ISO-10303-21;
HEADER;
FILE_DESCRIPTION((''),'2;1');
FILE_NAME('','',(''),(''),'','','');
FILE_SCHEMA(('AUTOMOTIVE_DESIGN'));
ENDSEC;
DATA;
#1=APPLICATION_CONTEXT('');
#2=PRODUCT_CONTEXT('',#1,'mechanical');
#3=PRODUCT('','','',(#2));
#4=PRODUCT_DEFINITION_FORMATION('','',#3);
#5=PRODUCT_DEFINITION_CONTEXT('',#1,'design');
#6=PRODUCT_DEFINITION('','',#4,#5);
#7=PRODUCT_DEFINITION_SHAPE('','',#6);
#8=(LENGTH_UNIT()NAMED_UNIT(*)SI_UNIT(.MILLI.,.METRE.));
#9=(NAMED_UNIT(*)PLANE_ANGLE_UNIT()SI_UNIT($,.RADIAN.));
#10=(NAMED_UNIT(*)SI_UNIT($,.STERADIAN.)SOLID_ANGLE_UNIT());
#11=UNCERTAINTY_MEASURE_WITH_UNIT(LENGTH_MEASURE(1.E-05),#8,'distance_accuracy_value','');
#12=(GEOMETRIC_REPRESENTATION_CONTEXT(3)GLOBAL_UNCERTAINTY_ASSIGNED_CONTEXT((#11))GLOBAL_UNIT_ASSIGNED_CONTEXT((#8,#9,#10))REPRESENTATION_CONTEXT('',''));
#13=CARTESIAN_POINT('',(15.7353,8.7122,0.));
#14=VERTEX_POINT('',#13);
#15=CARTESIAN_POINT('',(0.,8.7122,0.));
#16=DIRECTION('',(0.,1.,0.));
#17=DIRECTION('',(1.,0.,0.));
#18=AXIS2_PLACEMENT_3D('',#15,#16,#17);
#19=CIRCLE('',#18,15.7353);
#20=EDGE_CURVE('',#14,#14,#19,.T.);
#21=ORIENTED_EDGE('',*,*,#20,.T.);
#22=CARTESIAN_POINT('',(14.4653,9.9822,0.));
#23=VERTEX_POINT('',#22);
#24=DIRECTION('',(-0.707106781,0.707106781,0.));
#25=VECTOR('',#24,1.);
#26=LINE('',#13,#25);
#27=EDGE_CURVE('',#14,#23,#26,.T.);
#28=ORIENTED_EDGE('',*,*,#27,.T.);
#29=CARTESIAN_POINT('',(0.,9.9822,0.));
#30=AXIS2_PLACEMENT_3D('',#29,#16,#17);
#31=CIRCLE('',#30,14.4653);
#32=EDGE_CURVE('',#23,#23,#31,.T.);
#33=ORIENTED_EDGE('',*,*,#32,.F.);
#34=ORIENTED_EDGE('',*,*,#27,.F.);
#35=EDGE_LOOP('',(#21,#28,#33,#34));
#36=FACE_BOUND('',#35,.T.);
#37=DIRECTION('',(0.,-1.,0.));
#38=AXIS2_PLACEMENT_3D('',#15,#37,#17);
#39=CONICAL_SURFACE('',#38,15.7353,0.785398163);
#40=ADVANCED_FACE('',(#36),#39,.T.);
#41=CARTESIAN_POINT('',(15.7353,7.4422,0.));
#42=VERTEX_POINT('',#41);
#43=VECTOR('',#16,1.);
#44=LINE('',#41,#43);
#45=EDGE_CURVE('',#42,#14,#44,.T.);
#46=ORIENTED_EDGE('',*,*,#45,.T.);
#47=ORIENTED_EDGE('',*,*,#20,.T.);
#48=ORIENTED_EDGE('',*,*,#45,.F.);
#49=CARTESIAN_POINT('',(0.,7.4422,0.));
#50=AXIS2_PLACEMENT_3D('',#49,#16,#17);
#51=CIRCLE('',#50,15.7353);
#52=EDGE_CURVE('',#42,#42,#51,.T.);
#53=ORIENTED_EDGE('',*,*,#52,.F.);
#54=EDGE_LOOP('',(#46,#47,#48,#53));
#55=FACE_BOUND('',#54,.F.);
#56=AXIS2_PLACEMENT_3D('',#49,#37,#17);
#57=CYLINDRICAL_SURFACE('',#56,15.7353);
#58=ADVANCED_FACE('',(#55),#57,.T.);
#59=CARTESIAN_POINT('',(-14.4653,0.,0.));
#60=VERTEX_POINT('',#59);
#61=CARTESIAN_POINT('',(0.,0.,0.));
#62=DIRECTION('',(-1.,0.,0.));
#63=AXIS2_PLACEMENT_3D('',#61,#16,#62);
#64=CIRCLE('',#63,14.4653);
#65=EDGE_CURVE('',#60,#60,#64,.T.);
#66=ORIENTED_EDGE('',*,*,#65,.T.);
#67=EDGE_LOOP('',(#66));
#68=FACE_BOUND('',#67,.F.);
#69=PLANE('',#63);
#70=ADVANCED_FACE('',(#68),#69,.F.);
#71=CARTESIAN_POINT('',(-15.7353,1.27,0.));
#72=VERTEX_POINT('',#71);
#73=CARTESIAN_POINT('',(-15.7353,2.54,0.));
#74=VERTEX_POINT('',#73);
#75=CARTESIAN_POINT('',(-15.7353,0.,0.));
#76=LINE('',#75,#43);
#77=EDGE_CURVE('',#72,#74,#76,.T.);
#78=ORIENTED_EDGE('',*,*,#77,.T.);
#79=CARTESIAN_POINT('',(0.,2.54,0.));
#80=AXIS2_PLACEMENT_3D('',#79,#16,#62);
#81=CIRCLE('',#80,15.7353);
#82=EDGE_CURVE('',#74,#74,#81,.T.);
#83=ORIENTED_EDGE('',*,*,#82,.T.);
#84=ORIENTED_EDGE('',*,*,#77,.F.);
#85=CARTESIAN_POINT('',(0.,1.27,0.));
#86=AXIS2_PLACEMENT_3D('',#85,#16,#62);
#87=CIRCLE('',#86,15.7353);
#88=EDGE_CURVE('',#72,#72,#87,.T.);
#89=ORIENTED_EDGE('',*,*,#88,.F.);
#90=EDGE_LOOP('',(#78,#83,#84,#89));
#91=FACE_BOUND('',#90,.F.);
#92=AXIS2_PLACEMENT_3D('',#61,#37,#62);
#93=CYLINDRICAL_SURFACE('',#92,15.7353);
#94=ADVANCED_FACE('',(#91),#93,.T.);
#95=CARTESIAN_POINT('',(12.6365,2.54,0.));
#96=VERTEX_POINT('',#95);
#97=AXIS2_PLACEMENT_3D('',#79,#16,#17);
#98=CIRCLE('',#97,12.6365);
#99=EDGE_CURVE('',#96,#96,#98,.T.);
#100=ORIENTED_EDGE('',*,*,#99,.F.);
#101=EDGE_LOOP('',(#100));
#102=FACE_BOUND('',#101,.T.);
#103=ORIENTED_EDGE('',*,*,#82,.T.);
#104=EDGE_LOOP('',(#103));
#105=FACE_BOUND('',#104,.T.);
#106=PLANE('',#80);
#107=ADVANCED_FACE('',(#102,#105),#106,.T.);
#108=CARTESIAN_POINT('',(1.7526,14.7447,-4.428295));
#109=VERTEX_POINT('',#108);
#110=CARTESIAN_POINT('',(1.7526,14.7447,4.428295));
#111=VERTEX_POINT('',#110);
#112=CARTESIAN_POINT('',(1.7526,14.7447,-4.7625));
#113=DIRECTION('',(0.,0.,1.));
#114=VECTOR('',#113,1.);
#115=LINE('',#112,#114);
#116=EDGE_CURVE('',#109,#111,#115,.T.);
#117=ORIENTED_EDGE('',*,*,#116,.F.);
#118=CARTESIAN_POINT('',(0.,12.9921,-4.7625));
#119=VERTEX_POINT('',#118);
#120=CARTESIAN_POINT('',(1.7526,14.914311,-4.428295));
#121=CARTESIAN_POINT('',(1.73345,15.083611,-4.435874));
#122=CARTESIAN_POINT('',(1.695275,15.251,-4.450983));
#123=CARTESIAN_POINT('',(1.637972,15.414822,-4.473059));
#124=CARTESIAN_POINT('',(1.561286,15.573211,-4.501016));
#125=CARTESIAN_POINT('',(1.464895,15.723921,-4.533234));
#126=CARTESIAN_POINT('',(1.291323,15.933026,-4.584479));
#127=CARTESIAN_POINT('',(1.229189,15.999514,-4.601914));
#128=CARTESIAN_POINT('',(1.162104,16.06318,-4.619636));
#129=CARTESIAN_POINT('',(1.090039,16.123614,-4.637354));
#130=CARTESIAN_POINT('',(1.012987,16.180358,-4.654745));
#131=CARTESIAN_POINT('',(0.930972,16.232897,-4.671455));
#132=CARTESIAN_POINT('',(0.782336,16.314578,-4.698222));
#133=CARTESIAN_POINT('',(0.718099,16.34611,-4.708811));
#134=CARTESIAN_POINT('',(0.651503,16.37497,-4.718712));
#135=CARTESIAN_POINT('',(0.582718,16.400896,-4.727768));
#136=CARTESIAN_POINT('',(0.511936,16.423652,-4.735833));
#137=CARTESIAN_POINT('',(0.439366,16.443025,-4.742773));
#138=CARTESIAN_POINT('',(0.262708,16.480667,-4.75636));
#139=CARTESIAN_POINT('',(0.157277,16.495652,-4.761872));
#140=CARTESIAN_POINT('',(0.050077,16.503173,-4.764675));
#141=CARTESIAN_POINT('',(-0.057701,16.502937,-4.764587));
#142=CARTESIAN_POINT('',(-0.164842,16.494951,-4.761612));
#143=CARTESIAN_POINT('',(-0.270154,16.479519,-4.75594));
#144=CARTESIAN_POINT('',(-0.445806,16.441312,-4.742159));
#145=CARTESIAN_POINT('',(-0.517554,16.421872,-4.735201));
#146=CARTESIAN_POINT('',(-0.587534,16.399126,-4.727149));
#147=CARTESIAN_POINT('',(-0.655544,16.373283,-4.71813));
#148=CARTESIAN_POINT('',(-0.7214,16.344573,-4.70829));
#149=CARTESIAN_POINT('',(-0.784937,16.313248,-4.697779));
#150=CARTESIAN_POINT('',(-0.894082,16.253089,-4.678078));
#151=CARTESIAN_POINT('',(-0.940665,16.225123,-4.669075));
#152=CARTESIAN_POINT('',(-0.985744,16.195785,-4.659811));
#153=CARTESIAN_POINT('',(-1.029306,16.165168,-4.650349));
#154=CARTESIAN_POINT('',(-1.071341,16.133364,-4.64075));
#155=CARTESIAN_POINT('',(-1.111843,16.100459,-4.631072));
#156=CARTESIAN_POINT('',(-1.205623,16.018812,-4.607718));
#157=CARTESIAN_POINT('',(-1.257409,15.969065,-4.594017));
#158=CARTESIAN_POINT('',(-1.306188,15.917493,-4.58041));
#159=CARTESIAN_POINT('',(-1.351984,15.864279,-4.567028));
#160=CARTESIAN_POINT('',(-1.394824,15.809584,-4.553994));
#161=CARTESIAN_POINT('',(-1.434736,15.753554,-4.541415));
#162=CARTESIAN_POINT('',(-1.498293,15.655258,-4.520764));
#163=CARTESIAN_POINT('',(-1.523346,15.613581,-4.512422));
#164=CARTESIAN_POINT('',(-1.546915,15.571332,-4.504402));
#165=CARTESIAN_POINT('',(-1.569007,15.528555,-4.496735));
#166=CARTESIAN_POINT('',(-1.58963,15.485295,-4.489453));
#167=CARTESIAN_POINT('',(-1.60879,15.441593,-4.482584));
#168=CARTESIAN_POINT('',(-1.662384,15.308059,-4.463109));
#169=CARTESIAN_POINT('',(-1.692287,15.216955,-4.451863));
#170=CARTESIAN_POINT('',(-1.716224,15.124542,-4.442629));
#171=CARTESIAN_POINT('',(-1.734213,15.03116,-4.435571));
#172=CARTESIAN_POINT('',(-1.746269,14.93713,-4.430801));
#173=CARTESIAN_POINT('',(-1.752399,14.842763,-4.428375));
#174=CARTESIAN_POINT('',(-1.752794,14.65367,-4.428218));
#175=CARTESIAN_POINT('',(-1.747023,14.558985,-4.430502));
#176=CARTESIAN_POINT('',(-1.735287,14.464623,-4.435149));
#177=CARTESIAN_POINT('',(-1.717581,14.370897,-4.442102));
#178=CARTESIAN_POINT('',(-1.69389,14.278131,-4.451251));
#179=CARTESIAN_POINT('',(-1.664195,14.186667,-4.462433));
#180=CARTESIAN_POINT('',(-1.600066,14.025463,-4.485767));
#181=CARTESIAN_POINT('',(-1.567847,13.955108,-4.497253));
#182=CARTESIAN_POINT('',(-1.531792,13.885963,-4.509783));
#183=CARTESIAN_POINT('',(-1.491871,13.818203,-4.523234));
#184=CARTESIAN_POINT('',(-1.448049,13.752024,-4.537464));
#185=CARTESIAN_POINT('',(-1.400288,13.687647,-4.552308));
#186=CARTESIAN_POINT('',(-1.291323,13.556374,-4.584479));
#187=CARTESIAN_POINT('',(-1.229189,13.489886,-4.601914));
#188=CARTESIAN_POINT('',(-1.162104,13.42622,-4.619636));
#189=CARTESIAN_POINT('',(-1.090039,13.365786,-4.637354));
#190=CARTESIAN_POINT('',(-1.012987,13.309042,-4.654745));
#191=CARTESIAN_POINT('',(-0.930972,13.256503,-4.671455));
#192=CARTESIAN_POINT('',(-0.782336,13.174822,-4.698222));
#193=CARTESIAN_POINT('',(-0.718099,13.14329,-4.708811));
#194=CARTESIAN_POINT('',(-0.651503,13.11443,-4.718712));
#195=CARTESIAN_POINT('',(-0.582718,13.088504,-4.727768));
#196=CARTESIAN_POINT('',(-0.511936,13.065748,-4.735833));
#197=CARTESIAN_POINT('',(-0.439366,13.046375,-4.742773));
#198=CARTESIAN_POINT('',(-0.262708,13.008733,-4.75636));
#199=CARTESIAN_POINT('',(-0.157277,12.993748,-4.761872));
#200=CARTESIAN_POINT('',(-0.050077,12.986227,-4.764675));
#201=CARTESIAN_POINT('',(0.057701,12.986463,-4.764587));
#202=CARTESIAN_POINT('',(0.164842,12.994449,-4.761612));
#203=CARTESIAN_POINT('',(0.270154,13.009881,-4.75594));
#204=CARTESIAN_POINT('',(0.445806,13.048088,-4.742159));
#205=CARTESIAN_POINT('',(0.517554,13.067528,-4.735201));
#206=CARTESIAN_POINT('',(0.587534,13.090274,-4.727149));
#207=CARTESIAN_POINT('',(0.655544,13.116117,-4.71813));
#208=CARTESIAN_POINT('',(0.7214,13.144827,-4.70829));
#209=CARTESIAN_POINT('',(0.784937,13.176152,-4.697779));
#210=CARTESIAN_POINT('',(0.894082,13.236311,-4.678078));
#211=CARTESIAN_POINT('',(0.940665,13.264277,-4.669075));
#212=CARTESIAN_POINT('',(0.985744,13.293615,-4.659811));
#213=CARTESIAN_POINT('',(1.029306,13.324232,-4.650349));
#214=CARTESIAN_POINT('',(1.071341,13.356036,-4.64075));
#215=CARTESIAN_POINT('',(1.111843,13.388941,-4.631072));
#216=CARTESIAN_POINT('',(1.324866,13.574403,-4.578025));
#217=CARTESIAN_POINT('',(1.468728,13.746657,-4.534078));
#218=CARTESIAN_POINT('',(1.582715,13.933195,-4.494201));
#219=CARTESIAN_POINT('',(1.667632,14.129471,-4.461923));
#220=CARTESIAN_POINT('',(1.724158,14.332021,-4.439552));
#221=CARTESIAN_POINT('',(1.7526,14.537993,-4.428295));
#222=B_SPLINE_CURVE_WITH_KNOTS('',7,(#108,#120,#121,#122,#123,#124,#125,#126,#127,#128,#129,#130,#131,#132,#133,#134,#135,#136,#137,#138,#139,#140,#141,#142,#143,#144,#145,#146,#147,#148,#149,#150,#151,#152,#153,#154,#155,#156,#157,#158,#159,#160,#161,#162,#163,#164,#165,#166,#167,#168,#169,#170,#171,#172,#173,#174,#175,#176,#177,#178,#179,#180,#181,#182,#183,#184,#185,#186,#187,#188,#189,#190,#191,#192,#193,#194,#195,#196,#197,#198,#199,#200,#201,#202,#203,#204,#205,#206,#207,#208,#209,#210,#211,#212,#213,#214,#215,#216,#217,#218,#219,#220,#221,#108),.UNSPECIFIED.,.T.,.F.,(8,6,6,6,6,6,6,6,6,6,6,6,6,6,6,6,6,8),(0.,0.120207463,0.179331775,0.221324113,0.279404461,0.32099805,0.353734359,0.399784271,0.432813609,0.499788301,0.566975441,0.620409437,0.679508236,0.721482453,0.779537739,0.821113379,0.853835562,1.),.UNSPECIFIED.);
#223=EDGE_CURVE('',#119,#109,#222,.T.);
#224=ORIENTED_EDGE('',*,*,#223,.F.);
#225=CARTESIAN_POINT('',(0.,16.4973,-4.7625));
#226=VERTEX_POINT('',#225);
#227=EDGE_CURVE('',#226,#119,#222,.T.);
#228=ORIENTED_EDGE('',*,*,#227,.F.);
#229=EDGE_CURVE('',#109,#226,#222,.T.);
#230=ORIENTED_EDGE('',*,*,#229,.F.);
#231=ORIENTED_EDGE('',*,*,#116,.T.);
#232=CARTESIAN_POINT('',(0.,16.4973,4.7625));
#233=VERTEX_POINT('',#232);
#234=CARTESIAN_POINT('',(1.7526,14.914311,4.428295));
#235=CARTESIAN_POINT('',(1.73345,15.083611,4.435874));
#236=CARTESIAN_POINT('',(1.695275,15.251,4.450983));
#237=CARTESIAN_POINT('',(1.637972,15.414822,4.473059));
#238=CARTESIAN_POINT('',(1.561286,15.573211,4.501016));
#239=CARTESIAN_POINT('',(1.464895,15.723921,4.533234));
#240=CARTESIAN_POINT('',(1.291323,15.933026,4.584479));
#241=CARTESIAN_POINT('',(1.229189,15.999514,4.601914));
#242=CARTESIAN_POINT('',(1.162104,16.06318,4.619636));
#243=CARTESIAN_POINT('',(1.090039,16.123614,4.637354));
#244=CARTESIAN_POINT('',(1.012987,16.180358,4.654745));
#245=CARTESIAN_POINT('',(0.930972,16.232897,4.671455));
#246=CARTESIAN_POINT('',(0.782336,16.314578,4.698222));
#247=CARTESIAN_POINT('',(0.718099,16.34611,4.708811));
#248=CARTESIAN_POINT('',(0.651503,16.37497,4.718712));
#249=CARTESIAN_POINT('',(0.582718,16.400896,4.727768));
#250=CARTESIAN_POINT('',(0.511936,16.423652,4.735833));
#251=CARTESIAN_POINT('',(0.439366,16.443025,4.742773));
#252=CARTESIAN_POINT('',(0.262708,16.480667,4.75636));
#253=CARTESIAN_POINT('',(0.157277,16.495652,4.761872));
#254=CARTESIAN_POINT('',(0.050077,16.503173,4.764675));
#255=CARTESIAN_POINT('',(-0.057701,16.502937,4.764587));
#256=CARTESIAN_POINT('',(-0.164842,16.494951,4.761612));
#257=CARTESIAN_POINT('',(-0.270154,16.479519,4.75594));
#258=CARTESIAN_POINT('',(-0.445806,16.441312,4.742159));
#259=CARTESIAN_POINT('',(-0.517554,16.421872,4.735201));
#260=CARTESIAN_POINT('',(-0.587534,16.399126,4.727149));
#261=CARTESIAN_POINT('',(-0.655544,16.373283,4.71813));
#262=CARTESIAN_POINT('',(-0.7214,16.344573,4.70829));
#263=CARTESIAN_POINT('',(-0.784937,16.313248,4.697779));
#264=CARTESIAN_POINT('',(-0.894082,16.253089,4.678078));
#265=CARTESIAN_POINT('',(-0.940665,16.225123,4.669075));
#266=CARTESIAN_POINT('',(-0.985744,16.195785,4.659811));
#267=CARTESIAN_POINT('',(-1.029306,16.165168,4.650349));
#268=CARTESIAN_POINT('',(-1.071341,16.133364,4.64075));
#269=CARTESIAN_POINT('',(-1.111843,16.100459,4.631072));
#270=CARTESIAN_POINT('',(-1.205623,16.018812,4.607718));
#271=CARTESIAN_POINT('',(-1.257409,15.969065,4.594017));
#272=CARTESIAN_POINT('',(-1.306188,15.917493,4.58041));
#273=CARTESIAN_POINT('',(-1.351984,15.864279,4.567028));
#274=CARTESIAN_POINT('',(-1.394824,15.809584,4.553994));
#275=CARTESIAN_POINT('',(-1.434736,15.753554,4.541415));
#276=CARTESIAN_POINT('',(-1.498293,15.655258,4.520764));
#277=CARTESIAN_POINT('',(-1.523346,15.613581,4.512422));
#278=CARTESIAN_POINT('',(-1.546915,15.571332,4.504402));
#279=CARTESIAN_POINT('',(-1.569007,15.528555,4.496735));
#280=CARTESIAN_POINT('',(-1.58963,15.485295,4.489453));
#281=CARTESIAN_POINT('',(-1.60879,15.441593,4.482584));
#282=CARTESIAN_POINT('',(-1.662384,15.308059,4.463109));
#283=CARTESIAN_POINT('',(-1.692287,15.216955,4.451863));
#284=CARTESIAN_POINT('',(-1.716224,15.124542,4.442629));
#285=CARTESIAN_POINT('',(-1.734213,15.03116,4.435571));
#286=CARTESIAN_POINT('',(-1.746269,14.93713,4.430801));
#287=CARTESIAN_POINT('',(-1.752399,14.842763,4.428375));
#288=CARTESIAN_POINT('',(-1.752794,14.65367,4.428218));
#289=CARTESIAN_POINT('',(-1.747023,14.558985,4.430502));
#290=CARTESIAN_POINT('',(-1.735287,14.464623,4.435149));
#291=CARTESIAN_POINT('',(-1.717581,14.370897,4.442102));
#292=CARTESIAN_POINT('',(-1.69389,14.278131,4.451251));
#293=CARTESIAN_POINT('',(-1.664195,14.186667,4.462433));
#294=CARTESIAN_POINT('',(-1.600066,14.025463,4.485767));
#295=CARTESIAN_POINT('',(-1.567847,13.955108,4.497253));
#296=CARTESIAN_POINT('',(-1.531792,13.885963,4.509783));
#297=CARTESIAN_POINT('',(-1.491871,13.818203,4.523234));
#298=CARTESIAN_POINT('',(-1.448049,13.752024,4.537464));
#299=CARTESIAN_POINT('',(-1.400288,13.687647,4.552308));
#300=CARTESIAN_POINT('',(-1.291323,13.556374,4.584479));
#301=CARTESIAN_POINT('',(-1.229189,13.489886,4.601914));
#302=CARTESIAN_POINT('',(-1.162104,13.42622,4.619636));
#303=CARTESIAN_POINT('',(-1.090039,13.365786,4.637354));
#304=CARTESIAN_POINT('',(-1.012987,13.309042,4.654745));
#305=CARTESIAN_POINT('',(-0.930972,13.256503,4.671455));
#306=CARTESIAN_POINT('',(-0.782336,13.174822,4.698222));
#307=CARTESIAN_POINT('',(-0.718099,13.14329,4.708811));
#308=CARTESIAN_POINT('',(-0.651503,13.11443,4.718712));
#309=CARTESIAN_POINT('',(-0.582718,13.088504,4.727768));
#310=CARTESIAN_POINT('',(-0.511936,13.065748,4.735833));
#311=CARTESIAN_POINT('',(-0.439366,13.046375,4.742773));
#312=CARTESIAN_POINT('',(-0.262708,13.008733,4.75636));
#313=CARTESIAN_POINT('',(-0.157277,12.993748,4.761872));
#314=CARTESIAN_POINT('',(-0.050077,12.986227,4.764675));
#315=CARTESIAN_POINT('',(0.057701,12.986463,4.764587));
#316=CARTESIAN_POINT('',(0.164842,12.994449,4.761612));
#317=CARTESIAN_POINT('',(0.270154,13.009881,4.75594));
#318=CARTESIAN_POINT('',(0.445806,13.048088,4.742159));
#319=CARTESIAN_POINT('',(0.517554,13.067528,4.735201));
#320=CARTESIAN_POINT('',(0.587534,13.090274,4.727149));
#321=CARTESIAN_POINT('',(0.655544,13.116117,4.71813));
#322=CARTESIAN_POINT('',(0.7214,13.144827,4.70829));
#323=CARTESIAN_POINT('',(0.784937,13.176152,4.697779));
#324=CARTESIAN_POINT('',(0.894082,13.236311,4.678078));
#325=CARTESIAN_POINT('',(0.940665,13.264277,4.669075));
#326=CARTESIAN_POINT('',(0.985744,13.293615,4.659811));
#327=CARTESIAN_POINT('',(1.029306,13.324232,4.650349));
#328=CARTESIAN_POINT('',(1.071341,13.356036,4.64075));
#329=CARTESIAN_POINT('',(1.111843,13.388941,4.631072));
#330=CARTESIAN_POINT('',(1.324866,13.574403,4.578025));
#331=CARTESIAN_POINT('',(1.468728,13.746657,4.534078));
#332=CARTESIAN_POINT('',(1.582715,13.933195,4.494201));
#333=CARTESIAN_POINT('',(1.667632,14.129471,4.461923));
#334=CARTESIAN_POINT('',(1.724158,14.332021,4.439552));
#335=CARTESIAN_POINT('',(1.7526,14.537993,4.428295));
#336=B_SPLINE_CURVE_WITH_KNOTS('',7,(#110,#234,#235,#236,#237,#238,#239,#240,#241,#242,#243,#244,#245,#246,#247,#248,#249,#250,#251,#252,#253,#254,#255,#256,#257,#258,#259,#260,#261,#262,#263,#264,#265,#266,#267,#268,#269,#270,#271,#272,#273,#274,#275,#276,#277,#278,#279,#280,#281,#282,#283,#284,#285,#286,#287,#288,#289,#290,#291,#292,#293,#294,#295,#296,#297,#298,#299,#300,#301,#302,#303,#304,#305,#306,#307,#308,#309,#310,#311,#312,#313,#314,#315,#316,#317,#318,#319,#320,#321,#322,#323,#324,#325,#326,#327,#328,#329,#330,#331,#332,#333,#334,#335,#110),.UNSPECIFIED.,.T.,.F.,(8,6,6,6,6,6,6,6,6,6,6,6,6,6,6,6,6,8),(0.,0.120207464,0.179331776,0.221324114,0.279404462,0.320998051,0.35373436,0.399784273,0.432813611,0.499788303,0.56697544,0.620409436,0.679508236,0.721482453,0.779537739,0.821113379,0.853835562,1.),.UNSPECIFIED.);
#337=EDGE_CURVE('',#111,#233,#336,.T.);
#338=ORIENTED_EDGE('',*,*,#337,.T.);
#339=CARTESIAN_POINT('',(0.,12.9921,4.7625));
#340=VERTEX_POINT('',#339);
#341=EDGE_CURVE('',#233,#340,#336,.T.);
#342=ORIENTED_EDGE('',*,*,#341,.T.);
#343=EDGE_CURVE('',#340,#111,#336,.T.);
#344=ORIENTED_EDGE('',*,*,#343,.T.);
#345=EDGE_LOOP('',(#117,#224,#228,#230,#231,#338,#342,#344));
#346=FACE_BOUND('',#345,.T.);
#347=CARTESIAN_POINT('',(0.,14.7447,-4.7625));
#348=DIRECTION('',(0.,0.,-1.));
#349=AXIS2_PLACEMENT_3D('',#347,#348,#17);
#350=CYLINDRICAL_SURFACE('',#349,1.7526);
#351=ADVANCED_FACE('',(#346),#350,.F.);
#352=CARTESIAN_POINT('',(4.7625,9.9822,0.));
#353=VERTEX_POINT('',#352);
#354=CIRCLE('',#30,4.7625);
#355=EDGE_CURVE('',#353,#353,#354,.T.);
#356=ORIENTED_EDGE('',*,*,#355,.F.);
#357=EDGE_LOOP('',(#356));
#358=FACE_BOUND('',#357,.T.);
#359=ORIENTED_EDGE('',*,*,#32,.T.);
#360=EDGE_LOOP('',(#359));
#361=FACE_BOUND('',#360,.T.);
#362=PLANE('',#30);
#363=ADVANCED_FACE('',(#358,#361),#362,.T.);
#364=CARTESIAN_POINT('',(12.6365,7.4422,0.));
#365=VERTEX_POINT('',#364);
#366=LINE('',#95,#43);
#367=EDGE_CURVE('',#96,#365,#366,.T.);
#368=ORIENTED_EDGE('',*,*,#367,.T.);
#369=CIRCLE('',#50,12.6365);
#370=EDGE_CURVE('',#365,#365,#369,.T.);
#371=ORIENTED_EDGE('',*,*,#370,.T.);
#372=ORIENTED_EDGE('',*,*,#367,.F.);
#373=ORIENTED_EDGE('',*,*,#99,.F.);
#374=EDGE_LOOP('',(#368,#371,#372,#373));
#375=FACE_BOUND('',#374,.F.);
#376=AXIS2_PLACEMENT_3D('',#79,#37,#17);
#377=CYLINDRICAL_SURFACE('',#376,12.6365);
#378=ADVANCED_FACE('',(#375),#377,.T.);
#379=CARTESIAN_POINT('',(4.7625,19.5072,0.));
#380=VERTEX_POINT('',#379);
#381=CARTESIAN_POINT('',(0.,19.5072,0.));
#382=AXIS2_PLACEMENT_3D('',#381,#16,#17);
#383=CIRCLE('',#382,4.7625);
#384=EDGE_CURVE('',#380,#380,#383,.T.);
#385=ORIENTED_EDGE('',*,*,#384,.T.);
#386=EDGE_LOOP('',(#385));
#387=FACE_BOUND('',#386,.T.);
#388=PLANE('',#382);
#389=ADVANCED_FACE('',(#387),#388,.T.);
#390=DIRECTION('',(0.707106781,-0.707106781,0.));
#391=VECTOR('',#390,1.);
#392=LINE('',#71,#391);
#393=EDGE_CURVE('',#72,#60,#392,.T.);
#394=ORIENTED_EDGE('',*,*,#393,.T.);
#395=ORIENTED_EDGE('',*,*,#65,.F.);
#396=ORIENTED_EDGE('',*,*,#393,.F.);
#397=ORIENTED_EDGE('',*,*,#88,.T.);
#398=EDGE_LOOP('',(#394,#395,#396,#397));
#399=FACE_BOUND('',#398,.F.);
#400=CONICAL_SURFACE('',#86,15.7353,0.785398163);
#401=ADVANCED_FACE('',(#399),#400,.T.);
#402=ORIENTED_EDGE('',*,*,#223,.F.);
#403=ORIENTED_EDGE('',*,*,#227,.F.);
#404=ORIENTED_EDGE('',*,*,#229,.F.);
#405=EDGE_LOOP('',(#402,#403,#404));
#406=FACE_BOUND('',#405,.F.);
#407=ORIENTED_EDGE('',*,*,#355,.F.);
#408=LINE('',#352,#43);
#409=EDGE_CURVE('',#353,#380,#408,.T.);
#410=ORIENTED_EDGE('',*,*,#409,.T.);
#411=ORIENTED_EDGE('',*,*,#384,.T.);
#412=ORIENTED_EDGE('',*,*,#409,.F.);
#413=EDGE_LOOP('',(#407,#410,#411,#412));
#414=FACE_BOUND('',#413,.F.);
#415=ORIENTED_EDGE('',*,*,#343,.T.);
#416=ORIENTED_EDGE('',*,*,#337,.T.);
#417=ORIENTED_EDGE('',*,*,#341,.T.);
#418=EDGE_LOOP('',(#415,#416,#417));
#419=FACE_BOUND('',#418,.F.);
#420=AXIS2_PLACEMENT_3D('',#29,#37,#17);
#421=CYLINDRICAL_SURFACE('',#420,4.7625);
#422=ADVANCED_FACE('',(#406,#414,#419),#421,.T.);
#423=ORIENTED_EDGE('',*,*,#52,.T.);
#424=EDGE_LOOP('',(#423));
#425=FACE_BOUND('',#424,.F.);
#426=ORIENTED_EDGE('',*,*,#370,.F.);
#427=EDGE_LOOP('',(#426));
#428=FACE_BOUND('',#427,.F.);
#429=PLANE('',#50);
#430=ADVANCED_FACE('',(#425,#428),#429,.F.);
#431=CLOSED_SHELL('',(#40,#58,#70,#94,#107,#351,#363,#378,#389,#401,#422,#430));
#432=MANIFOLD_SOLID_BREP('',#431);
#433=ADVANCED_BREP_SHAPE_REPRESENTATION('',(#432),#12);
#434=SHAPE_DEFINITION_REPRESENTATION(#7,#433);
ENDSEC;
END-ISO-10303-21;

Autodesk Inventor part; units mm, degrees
ref_plane "YZ Plane" through (0, 0, 0) normal (1, 0, 0) x (0, 1, 0)
ref_plane "XZ Plane" through (0, 0, 0) normal (0, 1, 0) x (-1, 0, 0)
sketch "Sketch1" plane through (0, 0, 0) normal (0, 1, 0) x (-1, 0, 0)
  circle A0 centre (0, 0) radius 15.7353
  dimension "d0" = 31.4706
extrude "Extrusion1" add sketch "Sketch1" along normal blind 2.54
sketch "Sketch2" plane through (0, 2.54, 0) normal (0, 1, 0) x (1, 0, 0)
  circle A0 centre (0, 0) radius 12.6365
  dimension "d3" = 25.273
extrude "Extrusion2" add sketch "Sketch2" along normal blind 4.9022
sketch "Sketch3" plane through (0, 7.4422, 0) normal (0, 1, 0) x (1, 0, 0)
  circle A0 centre (0, 0) radius 15.7353
  dimension "d6" = 31.4706
extrude "Extrusion3" add sketch "Sketch3" along normal blind 2.54
chamfer "Chamfer1" distance 1.27 angle 45 2 edges at (-15.7353, 9.9822, 0) (15.7353, 0, 0)
sketch "Sketch4" plane through (0, 9.9822, 0) normal (0, 1, 0) x (1, 0, 0)
  circle A0 centre (0, 0) radius 4.7625
  dimension "d12" = 9.525
extrude "Extrusion4" add sketch "Sketch4" along normal blind 9.525
ref_plane "Work Plane1" through (0, 9.9822, -4.7625) normal (0, 0, 1) x (1, 0, 0)
sketch "Sketch5" plane through (0, 9.9822, -4.7625) normal (0, 0, 1) x (1, 0, 0)
  circle A0 centre (0, 4.7625) radius 1.7526
  line L0 (-14.4653, 0) -> (14.4653, 0) projected
  point P0 (0, -9.9822)
  dimension "d15" = 3.5052
  dimension "d16" = 4.7625
extrude "Extrusion5" cut sketch "Sketch5" along normal blind 9.525
properties part number "Plug" material "Acetal Resin, Black"
